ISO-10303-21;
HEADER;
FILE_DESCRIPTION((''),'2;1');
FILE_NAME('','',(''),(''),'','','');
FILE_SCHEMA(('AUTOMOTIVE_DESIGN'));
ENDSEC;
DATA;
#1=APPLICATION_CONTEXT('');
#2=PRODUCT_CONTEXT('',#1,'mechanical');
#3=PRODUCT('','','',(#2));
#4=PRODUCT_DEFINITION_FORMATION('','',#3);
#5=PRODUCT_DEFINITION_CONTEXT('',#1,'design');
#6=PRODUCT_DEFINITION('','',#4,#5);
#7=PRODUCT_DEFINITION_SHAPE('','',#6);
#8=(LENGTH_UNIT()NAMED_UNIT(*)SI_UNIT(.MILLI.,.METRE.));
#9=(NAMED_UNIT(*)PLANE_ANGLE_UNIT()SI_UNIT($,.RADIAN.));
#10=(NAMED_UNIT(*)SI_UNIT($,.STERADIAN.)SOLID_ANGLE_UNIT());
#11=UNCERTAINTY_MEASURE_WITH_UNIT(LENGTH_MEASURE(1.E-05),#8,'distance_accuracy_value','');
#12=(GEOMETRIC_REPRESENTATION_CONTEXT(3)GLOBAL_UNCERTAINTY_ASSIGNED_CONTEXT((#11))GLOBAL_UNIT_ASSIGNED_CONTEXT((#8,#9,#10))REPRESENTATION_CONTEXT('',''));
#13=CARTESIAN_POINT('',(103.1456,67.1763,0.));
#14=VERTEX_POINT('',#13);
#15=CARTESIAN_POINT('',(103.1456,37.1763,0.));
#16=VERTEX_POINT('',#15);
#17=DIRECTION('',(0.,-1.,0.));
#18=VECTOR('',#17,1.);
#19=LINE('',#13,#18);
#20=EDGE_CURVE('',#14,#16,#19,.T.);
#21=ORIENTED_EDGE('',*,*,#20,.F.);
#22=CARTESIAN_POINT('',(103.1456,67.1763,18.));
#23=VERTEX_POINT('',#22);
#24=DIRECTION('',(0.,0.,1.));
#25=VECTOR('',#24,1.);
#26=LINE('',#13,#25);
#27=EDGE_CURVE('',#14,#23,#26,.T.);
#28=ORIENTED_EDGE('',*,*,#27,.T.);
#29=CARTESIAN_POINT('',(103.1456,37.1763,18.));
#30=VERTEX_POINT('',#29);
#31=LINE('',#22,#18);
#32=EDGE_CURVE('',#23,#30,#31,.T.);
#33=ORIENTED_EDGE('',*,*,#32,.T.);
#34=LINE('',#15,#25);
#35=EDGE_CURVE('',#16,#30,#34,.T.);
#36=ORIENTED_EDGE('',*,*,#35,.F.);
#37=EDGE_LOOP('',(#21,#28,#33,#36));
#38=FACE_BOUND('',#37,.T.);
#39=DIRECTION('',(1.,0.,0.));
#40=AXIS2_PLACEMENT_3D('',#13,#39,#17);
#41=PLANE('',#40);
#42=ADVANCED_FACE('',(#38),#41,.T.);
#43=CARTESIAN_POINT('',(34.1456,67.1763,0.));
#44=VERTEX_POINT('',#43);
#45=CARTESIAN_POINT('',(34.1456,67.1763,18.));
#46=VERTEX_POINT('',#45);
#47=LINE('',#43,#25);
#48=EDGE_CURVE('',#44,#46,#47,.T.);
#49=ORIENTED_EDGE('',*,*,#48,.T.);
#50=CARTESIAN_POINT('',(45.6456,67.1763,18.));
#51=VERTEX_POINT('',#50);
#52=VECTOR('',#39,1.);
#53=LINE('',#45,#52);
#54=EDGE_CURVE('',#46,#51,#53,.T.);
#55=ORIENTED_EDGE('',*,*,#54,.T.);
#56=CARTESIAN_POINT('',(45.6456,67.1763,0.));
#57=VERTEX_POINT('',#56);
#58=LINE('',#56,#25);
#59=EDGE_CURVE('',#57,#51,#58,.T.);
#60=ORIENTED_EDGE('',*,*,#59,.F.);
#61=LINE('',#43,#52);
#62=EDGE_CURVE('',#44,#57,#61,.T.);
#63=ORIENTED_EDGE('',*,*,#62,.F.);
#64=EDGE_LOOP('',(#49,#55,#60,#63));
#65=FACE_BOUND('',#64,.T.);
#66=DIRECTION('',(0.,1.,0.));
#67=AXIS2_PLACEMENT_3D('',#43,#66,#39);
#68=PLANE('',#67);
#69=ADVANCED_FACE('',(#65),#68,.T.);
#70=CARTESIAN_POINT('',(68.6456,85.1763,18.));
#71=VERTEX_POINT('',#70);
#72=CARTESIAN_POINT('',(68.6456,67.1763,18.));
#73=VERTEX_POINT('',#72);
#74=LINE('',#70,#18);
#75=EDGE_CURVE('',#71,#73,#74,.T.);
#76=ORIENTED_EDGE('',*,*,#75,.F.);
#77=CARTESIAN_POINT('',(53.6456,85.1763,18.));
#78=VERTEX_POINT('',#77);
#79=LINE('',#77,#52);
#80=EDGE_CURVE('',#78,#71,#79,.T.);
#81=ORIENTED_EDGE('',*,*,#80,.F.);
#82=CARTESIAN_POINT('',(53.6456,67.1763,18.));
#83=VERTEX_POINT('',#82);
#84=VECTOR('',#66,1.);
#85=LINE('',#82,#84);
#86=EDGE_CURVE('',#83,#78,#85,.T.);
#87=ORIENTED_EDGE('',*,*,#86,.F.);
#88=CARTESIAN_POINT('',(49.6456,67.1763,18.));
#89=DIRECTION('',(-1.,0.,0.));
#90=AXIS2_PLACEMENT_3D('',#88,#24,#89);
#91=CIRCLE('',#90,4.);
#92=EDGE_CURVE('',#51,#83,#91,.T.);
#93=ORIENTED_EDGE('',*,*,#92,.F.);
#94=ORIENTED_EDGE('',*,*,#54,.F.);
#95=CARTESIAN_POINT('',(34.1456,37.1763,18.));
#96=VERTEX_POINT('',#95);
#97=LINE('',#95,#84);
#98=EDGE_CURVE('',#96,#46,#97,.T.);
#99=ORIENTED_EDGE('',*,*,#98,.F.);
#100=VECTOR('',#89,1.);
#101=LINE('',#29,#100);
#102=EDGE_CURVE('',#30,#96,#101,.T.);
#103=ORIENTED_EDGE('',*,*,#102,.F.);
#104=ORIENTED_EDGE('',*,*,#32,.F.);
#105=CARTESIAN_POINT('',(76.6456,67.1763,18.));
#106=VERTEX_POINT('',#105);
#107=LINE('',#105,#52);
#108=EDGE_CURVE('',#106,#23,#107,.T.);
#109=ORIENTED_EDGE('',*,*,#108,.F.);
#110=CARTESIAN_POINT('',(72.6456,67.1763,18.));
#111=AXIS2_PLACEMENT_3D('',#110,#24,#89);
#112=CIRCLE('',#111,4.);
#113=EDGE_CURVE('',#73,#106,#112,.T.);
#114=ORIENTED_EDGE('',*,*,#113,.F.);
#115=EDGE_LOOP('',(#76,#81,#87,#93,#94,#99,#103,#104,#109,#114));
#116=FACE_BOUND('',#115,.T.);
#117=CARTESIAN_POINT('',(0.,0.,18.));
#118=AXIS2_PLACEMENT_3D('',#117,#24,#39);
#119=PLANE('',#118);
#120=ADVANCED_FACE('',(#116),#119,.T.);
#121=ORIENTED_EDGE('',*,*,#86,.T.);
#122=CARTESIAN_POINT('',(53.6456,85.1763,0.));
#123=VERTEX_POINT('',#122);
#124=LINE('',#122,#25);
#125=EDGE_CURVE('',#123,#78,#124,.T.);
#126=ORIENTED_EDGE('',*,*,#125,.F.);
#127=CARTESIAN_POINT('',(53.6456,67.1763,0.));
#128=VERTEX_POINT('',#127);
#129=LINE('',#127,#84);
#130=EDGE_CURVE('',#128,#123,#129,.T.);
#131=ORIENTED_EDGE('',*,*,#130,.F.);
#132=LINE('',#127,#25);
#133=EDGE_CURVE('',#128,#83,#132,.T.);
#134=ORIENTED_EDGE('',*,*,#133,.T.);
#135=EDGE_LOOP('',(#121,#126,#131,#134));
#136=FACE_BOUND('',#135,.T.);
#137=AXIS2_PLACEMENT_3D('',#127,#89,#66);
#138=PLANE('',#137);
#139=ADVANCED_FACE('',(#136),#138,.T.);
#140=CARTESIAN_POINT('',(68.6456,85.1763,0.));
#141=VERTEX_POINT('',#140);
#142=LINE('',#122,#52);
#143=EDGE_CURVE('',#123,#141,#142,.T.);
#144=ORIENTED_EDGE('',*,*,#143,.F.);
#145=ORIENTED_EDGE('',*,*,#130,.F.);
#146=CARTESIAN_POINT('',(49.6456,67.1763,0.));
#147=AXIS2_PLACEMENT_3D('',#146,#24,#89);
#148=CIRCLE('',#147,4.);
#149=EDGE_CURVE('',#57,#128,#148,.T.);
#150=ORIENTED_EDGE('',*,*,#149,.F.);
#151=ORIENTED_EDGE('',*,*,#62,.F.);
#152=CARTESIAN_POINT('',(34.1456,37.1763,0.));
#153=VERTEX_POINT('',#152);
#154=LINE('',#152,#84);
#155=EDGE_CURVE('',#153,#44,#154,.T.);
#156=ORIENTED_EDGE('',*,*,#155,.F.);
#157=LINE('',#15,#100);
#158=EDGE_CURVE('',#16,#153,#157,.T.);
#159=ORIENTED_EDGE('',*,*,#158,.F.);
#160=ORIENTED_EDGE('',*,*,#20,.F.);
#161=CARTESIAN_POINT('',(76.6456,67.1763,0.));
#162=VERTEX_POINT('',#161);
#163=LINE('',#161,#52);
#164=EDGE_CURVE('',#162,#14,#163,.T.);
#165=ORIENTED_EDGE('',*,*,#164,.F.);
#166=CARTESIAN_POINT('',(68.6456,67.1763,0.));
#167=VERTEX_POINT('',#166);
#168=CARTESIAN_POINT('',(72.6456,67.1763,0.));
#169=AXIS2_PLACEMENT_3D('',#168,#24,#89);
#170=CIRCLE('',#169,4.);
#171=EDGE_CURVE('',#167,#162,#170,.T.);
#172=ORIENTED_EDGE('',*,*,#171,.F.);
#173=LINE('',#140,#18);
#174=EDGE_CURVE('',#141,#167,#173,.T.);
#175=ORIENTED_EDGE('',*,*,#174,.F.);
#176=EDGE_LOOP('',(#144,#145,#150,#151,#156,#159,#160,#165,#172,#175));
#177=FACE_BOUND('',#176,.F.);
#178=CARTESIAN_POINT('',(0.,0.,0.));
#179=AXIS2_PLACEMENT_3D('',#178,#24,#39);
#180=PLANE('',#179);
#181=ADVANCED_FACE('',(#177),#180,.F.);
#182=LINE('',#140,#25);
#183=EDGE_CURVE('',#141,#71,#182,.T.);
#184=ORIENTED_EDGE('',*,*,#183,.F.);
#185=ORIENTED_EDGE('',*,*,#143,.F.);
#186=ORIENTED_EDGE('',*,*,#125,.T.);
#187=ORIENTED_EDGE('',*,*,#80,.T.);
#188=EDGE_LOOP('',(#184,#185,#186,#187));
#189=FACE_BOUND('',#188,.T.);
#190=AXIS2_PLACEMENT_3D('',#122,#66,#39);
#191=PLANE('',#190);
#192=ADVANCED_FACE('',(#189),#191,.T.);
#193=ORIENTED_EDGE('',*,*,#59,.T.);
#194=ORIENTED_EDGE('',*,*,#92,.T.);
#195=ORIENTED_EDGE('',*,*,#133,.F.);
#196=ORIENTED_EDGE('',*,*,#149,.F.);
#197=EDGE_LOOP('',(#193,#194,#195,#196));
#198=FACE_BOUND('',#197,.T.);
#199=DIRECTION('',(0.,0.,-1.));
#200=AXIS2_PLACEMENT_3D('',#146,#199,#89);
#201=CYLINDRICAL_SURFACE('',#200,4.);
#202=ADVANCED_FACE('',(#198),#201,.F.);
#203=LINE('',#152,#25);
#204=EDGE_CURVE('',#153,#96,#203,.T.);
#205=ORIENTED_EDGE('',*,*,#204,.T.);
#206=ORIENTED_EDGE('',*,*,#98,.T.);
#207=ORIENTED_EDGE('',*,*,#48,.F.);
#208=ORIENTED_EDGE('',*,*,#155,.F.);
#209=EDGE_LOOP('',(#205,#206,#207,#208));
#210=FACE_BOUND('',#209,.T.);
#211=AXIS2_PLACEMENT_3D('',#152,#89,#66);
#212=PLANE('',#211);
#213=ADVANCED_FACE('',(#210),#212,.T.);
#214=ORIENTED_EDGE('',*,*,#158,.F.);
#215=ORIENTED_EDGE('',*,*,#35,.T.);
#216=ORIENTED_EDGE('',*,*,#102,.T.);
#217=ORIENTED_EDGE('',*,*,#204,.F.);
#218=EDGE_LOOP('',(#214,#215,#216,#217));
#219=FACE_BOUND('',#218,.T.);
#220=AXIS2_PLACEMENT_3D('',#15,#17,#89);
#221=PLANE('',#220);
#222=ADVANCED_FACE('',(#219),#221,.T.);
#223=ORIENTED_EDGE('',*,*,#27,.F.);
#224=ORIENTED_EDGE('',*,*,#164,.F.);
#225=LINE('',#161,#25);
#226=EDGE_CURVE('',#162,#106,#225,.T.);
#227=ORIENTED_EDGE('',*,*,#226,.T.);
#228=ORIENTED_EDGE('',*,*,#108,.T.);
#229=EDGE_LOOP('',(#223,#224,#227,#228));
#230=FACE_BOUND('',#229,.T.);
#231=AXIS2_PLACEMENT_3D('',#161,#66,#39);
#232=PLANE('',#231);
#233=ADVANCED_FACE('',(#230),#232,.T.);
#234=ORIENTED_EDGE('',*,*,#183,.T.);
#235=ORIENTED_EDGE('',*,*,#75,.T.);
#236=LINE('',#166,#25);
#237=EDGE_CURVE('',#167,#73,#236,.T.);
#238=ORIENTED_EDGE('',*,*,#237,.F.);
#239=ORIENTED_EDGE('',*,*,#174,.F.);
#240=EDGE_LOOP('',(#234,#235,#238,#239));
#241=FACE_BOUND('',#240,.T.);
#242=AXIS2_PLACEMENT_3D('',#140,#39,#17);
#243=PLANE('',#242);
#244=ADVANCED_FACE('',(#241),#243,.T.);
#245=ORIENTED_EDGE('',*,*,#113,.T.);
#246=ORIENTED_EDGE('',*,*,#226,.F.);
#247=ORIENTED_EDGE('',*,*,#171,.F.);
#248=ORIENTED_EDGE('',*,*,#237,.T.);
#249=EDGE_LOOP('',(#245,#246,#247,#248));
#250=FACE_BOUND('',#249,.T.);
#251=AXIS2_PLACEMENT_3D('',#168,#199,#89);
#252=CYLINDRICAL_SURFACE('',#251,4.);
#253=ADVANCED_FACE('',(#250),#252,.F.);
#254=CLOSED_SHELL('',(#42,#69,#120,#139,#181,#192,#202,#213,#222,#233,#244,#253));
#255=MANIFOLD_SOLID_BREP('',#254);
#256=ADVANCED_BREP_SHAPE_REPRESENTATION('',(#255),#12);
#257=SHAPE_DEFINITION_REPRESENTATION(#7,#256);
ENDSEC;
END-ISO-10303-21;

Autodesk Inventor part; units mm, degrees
ref_plane "YZ Plane" through (0, 0, 0) normal (1, 0, 0) x (0, 1, 0)
ref_plane "XZ Plane" through (0, 0, 0) normal (0, 1, 0) x (-1, 0, 0)
ref_plane "XY Plane" through (0, 0, 0) normal (0, 0, 1) x (1, 0, 0)
sketch "CONTOURS" plane through (0, 0, 0) normal (0, 0, 1) x (1, 0, 0)
  arc A0 (68.6456, 67.1763) -> (76.6456, 67.1763) centre (72.6456, 67.1763) ccw
  line L0 (76.6456, 67.1763) -> (103.1456, 67.1763)
  line L1 (103.1456, 67.1763) -> (103.1456, 37.1763)
  line L2 (103.1456, 37.1763) -> (34.1456, 37.1763)
  line L3 (34.1456, 37.1763) -> (34.1456, 67.1763)
  line L4 (34.1456, 67.1763) -> (45.6456, 67.1763)
  arc A1 (45.6456, 67.1763) -> (53.6456, 67.1763) centre (49.6456, 67.1763) ccw
  line L5 (53.6456, 67.1763) -> (53.6456, 85.1763)
  line L6 (53.6456, 85.1763) -> (68.6456, 85.1763)
  line L7 (68.6456, 85.1763) -> (68.6456, 67.1763)
extrude "Extrusion4" add sketch "CONTOURS" along normal blind 18
properties part number "Little Scrap Piece"
